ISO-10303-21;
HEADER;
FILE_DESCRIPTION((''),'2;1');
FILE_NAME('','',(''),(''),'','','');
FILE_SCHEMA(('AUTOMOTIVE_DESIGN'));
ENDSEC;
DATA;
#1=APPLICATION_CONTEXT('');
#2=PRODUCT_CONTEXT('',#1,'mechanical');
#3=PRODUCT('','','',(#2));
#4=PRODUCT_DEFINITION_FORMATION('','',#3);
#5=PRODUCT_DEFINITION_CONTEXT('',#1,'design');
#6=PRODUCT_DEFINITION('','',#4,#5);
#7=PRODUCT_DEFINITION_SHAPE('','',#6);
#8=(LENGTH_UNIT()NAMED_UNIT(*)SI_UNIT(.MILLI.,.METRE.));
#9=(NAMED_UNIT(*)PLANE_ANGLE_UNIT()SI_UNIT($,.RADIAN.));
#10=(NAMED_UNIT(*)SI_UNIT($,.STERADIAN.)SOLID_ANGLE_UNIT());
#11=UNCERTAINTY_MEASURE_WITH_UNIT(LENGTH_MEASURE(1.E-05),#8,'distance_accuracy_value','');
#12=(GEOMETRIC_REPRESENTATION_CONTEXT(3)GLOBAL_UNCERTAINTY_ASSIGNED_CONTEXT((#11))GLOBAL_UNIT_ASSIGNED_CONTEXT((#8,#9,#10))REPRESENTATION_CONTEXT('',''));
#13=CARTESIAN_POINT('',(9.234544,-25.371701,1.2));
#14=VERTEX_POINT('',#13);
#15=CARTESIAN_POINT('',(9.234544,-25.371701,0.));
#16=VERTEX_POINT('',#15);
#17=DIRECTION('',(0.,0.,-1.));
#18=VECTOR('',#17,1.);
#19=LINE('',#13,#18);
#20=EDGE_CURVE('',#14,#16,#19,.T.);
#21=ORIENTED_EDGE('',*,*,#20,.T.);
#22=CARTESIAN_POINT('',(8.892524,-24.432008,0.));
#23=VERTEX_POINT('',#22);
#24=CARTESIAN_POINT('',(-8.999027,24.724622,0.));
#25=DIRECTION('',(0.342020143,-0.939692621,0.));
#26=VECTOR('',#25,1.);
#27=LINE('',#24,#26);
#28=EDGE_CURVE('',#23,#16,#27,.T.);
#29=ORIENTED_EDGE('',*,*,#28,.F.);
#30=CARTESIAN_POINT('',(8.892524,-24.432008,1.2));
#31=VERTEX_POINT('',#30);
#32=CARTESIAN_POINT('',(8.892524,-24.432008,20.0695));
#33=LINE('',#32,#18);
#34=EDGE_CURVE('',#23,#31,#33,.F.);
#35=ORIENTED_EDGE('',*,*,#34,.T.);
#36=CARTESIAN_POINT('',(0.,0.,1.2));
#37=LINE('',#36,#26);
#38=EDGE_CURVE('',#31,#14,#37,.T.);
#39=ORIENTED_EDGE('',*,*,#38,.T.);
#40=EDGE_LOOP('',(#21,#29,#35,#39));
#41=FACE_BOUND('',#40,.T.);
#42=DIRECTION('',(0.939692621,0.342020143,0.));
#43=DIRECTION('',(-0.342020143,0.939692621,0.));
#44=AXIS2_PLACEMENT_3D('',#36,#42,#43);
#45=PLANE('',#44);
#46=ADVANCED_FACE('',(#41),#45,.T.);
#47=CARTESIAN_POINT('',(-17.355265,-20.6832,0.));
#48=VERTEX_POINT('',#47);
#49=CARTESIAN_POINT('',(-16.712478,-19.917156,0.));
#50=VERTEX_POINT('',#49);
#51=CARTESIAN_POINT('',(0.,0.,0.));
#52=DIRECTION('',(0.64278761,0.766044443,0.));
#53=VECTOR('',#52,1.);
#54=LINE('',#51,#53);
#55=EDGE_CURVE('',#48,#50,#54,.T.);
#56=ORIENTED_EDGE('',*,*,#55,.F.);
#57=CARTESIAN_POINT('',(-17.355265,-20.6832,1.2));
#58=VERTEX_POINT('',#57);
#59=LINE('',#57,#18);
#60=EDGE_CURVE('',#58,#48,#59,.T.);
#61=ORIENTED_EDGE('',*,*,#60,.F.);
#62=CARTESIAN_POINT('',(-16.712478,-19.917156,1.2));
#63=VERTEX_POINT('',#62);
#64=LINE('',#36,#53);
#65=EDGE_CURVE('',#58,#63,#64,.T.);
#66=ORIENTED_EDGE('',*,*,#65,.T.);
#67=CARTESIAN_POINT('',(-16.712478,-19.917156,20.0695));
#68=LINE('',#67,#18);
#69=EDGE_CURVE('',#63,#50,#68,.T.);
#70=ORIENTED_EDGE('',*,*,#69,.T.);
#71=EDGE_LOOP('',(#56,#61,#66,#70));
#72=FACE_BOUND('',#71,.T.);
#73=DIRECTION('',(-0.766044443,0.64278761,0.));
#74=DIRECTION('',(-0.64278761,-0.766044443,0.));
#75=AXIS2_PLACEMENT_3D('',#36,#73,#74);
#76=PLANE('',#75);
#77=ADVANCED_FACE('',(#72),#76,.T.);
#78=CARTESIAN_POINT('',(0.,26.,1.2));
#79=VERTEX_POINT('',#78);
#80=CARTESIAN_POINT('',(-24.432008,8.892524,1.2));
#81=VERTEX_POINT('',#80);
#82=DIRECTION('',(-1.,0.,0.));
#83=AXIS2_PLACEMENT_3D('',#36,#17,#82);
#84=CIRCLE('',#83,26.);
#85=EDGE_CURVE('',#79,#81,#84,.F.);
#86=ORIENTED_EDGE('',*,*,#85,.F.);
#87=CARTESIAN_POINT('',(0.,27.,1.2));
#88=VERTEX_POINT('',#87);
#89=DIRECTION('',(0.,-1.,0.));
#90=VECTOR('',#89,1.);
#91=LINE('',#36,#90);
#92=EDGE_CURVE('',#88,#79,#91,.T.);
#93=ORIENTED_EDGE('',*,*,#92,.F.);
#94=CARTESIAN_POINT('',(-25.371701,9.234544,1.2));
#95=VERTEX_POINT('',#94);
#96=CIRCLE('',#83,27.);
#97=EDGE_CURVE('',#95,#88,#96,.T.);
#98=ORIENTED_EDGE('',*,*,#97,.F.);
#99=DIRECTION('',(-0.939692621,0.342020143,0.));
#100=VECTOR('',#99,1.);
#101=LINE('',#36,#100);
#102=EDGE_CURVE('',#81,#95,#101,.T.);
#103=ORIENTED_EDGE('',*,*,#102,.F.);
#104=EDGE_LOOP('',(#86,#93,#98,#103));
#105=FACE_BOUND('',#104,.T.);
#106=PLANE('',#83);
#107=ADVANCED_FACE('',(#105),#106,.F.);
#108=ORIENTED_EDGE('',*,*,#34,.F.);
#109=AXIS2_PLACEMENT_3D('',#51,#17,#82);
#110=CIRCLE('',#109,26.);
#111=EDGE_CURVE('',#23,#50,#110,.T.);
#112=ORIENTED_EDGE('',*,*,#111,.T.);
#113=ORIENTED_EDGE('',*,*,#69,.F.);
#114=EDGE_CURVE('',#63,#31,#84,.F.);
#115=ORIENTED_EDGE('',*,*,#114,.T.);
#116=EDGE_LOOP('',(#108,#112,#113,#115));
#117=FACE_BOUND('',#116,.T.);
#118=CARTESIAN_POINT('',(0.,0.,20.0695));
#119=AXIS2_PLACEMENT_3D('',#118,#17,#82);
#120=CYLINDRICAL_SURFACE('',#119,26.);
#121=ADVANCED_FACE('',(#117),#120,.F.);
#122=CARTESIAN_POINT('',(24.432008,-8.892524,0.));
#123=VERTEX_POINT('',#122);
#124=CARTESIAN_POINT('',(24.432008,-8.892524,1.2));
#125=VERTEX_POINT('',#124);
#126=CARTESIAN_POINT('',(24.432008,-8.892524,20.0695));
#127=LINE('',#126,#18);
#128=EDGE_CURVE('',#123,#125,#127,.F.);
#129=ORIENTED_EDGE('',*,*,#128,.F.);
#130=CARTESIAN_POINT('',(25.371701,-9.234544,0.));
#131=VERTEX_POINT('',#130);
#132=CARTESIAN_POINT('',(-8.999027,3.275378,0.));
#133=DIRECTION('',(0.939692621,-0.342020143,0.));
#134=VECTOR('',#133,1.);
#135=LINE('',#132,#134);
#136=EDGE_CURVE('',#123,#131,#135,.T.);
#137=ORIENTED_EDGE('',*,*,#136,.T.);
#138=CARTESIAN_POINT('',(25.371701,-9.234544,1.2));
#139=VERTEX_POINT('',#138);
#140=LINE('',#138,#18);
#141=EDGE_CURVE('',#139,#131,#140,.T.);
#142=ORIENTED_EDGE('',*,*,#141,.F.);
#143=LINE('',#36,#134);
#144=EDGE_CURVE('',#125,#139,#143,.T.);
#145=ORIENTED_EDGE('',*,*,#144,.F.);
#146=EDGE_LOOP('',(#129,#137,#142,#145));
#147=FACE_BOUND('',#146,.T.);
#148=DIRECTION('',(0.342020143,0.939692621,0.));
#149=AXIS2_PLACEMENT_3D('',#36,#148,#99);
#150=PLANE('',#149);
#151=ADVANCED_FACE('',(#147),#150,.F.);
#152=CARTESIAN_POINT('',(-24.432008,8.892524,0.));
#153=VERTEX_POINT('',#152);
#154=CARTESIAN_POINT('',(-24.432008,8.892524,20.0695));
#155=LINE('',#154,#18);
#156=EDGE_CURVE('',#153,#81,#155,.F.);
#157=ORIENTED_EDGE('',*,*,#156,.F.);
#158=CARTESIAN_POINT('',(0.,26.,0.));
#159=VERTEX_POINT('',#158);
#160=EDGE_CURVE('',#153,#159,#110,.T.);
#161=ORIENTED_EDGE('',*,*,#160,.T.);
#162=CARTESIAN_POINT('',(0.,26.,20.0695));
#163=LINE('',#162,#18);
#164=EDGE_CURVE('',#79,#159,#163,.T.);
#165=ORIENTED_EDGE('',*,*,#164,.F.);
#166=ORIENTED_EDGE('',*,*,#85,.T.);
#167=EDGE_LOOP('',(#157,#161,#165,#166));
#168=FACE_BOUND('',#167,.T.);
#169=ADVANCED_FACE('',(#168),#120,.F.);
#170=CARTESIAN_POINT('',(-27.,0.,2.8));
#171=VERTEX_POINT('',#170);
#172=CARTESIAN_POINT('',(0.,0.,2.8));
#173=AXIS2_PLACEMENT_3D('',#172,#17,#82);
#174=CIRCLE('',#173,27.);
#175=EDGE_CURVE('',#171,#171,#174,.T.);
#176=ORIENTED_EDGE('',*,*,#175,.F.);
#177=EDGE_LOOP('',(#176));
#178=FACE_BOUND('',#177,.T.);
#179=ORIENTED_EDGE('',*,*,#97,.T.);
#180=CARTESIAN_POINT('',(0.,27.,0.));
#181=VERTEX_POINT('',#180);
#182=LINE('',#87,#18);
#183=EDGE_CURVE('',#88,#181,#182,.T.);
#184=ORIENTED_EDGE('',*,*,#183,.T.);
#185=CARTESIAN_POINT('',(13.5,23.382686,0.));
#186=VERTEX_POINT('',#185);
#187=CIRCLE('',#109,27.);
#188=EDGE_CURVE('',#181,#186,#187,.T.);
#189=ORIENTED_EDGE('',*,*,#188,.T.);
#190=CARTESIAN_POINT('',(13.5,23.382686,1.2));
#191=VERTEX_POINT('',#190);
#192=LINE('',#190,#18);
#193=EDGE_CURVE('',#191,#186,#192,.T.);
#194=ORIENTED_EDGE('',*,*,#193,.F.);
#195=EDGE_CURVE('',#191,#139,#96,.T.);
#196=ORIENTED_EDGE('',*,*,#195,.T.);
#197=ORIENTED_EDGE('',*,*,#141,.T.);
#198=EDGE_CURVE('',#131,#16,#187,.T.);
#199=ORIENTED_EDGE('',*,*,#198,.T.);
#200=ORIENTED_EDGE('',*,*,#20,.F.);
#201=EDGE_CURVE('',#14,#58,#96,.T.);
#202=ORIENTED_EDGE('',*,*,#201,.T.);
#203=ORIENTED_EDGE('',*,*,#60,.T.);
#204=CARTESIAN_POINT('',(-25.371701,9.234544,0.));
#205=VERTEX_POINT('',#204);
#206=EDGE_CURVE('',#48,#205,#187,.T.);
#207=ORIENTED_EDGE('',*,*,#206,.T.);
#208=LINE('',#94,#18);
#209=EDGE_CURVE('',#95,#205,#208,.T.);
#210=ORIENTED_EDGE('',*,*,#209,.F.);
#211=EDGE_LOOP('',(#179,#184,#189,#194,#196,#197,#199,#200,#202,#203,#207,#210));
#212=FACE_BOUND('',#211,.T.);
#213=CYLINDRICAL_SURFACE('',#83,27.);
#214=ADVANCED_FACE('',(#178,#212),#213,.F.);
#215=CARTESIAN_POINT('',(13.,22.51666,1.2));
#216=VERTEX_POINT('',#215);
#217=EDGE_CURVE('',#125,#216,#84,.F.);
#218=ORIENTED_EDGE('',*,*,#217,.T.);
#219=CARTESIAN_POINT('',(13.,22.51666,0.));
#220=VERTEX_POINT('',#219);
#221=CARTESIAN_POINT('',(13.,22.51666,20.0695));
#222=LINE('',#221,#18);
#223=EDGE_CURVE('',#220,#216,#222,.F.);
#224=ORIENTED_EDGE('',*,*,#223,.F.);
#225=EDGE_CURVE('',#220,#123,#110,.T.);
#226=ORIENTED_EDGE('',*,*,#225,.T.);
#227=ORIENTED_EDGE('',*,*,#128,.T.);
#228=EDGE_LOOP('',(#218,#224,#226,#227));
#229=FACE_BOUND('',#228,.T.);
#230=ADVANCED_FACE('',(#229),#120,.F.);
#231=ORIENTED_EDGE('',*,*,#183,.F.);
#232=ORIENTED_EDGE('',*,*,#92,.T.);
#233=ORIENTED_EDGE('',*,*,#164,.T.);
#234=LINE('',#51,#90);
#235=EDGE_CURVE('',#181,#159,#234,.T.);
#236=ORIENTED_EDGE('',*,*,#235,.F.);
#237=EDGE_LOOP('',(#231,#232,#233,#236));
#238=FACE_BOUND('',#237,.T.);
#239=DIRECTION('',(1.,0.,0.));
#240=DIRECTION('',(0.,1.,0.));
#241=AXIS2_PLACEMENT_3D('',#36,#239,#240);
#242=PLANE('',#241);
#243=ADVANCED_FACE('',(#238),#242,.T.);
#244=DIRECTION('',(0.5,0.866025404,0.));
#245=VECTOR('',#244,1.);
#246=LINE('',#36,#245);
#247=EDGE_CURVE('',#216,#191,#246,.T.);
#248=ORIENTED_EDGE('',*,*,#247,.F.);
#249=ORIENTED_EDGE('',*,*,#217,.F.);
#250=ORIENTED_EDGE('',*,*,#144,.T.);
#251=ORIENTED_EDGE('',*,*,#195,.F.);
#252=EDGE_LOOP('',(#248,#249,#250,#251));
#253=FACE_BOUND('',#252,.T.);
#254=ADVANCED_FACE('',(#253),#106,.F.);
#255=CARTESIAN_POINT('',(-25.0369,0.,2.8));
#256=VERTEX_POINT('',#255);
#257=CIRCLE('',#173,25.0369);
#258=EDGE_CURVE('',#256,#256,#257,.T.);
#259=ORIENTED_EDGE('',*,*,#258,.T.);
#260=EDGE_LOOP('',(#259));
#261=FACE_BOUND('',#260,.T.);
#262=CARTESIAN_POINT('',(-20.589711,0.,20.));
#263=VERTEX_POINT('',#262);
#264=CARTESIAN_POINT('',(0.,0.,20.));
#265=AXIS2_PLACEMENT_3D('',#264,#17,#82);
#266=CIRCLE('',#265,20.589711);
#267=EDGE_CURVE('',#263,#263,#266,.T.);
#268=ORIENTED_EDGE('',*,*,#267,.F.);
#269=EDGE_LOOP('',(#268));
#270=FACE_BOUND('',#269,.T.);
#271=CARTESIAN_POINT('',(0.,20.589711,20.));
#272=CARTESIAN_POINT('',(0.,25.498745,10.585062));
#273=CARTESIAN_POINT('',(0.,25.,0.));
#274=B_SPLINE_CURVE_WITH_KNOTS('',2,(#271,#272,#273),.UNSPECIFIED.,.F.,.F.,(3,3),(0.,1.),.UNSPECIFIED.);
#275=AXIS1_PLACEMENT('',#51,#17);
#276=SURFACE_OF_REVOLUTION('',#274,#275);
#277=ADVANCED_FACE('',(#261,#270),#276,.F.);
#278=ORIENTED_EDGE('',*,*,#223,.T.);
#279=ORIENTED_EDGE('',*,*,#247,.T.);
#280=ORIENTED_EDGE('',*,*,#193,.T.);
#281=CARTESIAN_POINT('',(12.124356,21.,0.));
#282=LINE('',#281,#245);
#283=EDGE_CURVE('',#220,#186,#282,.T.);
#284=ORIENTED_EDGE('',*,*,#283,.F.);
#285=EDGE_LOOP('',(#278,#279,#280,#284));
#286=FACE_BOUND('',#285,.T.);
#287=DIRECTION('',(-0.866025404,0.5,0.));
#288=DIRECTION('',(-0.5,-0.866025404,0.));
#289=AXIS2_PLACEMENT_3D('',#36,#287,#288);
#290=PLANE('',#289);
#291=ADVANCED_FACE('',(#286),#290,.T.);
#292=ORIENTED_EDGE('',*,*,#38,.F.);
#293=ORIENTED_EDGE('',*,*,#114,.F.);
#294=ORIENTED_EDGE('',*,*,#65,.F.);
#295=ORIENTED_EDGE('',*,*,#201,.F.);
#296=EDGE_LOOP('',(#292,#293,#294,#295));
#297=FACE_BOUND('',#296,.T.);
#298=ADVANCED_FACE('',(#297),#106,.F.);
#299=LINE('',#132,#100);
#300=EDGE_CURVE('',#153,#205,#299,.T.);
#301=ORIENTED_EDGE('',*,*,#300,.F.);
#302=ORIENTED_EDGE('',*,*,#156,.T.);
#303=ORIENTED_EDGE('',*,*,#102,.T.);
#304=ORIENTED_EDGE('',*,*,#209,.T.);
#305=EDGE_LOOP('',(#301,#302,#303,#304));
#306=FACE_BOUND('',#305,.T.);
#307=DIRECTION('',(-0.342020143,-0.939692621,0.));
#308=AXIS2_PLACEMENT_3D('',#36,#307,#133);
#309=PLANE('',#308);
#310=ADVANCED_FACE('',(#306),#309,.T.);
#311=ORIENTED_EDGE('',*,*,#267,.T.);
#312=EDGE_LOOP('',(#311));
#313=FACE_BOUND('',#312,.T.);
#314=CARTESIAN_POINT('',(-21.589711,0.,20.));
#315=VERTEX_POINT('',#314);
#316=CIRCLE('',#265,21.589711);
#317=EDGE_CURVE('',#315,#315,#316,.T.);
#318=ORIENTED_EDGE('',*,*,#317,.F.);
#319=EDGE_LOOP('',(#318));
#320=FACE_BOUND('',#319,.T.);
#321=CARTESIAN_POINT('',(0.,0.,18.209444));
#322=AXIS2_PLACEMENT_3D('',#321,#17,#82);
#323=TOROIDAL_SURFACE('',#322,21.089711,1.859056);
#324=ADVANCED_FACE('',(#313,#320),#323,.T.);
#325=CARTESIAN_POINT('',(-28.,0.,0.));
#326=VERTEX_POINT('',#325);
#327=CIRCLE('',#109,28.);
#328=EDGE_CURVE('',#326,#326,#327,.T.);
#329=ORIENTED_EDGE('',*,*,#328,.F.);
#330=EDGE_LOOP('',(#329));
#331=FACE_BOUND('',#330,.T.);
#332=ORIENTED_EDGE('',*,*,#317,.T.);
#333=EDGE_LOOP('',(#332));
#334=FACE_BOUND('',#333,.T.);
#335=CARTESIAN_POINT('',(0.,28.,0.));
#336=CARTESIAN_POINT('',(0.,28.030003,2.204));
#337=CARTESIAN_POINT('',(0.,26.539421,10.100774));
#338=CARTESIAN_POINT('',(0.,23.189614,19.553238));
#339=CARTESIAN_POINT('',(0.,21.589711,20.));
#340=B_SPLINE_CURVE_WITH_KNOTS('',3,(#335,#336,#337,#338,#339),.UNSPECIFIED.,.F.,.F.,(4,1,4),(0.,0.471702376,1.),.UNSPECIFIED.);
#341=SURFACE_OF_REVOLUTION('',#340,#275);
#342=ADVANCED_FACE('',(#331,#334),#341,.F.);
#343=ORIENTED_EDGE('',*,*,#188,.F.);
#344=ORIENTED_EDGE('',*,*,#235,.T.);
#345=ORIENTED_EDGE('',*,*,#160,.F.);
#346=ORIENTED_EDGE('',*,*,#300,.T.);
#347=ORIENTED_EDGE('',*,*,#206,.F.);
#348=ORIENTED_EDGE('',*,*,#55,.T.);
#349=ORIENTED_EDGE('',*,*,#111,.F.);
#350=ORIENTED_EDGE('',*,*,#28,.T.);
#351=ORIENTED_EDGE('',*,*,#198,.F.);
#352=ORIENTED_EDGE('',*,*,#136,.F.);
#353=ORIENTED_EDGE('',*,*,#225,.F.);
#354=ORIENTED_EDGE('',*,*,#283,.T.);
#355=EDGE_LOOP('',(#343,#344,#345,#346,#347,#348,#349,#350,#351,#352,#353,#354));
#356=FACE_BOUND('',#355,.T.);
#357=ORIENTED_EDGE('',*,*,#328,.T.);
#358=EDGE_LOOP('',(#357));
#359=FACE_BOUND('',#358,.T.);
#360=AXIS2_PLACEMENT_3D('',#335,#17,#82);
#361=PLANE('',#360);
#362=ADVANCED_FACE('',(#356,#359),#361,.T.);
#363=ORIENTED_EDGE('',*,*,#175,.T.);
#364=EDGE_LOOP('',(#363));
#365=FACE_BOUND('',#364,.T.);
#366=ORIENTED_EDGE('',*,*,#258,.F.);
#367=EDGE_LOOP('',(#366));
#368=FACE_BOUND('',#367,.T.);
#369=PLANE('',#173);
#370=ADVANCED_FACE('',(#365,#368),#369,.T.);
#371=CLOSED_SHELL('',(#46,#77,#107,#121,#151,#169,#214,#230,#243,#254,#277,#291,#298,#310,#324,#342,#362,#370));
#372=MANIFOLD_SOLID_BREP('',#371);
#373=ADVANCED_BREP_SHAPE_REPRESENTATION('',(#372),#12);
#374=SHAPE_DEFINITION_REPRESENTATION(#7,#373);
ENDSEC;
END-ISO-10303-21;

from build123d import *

# Parameters (mm, degrees)
SKETCH_3_R          = 25
CUT_EXTRUDE_5_DEPTH = 1.2
SKETCH_4_R          = 27
CUT_EXTRUDE_6_DEPTH = 1.6
CUT_EXTRUDE_START   = -1.2
SKETCH_5_R          = 26
CUT_EXTRUDE_7_DEPTH = 1.2


with BuildPart() as part:
    # 草图2 → 旋转1 (revolve)
    with BuildSketch(Plane(origin=(0, 0, 0), x_dir=(0, 0, -1), z_dir=(1, 0, 0)), mode=Mode.PRIVATE) as revolve_1_sk:
        with BuildLine():
            Line((0, 28), (0, 25))
            add(Edge.make_bspline(
                [(0, 25), (-10.585062144, 25.498744953), (-20, 20.589710795)],
                knots=[0, 0, 0, 1, 1, 1], degree=2))
            ThreePointArc((-20, 20.589710795), (-20.068500433, 21.089710795), (-20, 21.589710795))
            add(Edge.make_bspline(
                [(0, 28), (-2.203999875, 28.030003162), (-10.10077391, 26.539420738), (-19.553238288, 23.189614308), (-20, 21.589710795)],
                knots=[0, 0, 0, 0, 0.471702376, 1, 1, 1, 1], degree=3))
        make_face()
    revolve(revolve_1_sk.sketch.rotate(Axis((0, 0, 0), (0, 0, 1)), 90), axis=Axis((0, 0, 0), (0, 0, 1)))

    # 草图3 → 切除-拉伸5 (cut)
    with BuildSketch(Plane(origin=(0, 0, 0), x_dir=(-1, 0, 0), z_dir=(0, 0, -1))):
        Circle(SKETCH_3_R)
        with BuildLine():
            Line((0, 27), (0, 0))
            Line((0, 0), (-13.5, 23.382685902))
            ThreePointArc((-13.5, 23.382685902), (-6.988114218, 26.07999731), (0, 27))
        make_face()
        with BuildLine():
            Line((0, 0), (0, 25))
            ThreePointArc((0, 25), (-6.470476128, 24.148145657), (-12.5, 21.650635095))
            Line((-12.5, 21.650635095), (0, 0))
        make_face()
        with BuildLine():
            Line((-8.550503583, -23.49231552), (0, 0))
            Line((0, 0), (-23.49231552, -8.550503583))
            ThreePointArc((-23.49231552, -8.550503583), (-17.67766953, -17.67766953), (-8.550503583, -23.49231552))
        make_face()
        with BuildLine():
            Line((0, 0), (-25.371700761, -9.23454387))
            ThreePointArc((-25.371700761, -9.23454387), (-19.091883092, -19.091883092), (-9.23454387, -25.371700761))
            Line((-9.23454387, -25.371700761), (0, 0))
        make_face()
        with BuildLine():
            Line((23.49231552, 8.550503583), (0, 0))
            Line((0, 0), (16.069690242, -19.151111078))
            ThreePointArc((16.069690242, -19.151111078), (22.657694676, -10.565456544), (25, 0))
            ThreePointArc((25, 0), (24.620193825, 4.341204442), (23.49231552, 8.550503583))
        make_face()
        with BuildLine():
            Line((17.355265462, -20.683199964), (0, 0))
            Line((0, 0), (25.371700761, 9.23454387))
            ThreePointArc((25.371700761, 9.23454387), (26.07999731, -6.988114218), (17.355265462, -20.683199964))
        make_face()
    extrude(amount=-CUT_EXTRUDE_5_DEPTH, mode=Mode.SUBTRACT)

    # 草图4 → 切除-拉伸6 (cut)
    with BuildSketch(Plane(origin=(0, 0, 1.2), x_dir=(-1, 0, 0), z_dir=(0, 0, -1))):
        Circle(SKETCH_4_R)
    extrude(amount=-CUT_EXTRUDE_6_DEPTH, mode=Mode.SUBTRACT)

    # 草图5 → 切除-拉伸7 (cut)
    with BuildSketch(Plane(origin=(0, 0, 0), x_dir=(-1, 0, 0), z_dir=(0, 0, -1)).offset(CUT_EXTRUDE_START)):
        Circle(SKETCH_5_R)
    extrude(amount=CUT_EXTRUDE_7_DEPTH, mode=Mode.SUBTRACT)


solid = part.part
